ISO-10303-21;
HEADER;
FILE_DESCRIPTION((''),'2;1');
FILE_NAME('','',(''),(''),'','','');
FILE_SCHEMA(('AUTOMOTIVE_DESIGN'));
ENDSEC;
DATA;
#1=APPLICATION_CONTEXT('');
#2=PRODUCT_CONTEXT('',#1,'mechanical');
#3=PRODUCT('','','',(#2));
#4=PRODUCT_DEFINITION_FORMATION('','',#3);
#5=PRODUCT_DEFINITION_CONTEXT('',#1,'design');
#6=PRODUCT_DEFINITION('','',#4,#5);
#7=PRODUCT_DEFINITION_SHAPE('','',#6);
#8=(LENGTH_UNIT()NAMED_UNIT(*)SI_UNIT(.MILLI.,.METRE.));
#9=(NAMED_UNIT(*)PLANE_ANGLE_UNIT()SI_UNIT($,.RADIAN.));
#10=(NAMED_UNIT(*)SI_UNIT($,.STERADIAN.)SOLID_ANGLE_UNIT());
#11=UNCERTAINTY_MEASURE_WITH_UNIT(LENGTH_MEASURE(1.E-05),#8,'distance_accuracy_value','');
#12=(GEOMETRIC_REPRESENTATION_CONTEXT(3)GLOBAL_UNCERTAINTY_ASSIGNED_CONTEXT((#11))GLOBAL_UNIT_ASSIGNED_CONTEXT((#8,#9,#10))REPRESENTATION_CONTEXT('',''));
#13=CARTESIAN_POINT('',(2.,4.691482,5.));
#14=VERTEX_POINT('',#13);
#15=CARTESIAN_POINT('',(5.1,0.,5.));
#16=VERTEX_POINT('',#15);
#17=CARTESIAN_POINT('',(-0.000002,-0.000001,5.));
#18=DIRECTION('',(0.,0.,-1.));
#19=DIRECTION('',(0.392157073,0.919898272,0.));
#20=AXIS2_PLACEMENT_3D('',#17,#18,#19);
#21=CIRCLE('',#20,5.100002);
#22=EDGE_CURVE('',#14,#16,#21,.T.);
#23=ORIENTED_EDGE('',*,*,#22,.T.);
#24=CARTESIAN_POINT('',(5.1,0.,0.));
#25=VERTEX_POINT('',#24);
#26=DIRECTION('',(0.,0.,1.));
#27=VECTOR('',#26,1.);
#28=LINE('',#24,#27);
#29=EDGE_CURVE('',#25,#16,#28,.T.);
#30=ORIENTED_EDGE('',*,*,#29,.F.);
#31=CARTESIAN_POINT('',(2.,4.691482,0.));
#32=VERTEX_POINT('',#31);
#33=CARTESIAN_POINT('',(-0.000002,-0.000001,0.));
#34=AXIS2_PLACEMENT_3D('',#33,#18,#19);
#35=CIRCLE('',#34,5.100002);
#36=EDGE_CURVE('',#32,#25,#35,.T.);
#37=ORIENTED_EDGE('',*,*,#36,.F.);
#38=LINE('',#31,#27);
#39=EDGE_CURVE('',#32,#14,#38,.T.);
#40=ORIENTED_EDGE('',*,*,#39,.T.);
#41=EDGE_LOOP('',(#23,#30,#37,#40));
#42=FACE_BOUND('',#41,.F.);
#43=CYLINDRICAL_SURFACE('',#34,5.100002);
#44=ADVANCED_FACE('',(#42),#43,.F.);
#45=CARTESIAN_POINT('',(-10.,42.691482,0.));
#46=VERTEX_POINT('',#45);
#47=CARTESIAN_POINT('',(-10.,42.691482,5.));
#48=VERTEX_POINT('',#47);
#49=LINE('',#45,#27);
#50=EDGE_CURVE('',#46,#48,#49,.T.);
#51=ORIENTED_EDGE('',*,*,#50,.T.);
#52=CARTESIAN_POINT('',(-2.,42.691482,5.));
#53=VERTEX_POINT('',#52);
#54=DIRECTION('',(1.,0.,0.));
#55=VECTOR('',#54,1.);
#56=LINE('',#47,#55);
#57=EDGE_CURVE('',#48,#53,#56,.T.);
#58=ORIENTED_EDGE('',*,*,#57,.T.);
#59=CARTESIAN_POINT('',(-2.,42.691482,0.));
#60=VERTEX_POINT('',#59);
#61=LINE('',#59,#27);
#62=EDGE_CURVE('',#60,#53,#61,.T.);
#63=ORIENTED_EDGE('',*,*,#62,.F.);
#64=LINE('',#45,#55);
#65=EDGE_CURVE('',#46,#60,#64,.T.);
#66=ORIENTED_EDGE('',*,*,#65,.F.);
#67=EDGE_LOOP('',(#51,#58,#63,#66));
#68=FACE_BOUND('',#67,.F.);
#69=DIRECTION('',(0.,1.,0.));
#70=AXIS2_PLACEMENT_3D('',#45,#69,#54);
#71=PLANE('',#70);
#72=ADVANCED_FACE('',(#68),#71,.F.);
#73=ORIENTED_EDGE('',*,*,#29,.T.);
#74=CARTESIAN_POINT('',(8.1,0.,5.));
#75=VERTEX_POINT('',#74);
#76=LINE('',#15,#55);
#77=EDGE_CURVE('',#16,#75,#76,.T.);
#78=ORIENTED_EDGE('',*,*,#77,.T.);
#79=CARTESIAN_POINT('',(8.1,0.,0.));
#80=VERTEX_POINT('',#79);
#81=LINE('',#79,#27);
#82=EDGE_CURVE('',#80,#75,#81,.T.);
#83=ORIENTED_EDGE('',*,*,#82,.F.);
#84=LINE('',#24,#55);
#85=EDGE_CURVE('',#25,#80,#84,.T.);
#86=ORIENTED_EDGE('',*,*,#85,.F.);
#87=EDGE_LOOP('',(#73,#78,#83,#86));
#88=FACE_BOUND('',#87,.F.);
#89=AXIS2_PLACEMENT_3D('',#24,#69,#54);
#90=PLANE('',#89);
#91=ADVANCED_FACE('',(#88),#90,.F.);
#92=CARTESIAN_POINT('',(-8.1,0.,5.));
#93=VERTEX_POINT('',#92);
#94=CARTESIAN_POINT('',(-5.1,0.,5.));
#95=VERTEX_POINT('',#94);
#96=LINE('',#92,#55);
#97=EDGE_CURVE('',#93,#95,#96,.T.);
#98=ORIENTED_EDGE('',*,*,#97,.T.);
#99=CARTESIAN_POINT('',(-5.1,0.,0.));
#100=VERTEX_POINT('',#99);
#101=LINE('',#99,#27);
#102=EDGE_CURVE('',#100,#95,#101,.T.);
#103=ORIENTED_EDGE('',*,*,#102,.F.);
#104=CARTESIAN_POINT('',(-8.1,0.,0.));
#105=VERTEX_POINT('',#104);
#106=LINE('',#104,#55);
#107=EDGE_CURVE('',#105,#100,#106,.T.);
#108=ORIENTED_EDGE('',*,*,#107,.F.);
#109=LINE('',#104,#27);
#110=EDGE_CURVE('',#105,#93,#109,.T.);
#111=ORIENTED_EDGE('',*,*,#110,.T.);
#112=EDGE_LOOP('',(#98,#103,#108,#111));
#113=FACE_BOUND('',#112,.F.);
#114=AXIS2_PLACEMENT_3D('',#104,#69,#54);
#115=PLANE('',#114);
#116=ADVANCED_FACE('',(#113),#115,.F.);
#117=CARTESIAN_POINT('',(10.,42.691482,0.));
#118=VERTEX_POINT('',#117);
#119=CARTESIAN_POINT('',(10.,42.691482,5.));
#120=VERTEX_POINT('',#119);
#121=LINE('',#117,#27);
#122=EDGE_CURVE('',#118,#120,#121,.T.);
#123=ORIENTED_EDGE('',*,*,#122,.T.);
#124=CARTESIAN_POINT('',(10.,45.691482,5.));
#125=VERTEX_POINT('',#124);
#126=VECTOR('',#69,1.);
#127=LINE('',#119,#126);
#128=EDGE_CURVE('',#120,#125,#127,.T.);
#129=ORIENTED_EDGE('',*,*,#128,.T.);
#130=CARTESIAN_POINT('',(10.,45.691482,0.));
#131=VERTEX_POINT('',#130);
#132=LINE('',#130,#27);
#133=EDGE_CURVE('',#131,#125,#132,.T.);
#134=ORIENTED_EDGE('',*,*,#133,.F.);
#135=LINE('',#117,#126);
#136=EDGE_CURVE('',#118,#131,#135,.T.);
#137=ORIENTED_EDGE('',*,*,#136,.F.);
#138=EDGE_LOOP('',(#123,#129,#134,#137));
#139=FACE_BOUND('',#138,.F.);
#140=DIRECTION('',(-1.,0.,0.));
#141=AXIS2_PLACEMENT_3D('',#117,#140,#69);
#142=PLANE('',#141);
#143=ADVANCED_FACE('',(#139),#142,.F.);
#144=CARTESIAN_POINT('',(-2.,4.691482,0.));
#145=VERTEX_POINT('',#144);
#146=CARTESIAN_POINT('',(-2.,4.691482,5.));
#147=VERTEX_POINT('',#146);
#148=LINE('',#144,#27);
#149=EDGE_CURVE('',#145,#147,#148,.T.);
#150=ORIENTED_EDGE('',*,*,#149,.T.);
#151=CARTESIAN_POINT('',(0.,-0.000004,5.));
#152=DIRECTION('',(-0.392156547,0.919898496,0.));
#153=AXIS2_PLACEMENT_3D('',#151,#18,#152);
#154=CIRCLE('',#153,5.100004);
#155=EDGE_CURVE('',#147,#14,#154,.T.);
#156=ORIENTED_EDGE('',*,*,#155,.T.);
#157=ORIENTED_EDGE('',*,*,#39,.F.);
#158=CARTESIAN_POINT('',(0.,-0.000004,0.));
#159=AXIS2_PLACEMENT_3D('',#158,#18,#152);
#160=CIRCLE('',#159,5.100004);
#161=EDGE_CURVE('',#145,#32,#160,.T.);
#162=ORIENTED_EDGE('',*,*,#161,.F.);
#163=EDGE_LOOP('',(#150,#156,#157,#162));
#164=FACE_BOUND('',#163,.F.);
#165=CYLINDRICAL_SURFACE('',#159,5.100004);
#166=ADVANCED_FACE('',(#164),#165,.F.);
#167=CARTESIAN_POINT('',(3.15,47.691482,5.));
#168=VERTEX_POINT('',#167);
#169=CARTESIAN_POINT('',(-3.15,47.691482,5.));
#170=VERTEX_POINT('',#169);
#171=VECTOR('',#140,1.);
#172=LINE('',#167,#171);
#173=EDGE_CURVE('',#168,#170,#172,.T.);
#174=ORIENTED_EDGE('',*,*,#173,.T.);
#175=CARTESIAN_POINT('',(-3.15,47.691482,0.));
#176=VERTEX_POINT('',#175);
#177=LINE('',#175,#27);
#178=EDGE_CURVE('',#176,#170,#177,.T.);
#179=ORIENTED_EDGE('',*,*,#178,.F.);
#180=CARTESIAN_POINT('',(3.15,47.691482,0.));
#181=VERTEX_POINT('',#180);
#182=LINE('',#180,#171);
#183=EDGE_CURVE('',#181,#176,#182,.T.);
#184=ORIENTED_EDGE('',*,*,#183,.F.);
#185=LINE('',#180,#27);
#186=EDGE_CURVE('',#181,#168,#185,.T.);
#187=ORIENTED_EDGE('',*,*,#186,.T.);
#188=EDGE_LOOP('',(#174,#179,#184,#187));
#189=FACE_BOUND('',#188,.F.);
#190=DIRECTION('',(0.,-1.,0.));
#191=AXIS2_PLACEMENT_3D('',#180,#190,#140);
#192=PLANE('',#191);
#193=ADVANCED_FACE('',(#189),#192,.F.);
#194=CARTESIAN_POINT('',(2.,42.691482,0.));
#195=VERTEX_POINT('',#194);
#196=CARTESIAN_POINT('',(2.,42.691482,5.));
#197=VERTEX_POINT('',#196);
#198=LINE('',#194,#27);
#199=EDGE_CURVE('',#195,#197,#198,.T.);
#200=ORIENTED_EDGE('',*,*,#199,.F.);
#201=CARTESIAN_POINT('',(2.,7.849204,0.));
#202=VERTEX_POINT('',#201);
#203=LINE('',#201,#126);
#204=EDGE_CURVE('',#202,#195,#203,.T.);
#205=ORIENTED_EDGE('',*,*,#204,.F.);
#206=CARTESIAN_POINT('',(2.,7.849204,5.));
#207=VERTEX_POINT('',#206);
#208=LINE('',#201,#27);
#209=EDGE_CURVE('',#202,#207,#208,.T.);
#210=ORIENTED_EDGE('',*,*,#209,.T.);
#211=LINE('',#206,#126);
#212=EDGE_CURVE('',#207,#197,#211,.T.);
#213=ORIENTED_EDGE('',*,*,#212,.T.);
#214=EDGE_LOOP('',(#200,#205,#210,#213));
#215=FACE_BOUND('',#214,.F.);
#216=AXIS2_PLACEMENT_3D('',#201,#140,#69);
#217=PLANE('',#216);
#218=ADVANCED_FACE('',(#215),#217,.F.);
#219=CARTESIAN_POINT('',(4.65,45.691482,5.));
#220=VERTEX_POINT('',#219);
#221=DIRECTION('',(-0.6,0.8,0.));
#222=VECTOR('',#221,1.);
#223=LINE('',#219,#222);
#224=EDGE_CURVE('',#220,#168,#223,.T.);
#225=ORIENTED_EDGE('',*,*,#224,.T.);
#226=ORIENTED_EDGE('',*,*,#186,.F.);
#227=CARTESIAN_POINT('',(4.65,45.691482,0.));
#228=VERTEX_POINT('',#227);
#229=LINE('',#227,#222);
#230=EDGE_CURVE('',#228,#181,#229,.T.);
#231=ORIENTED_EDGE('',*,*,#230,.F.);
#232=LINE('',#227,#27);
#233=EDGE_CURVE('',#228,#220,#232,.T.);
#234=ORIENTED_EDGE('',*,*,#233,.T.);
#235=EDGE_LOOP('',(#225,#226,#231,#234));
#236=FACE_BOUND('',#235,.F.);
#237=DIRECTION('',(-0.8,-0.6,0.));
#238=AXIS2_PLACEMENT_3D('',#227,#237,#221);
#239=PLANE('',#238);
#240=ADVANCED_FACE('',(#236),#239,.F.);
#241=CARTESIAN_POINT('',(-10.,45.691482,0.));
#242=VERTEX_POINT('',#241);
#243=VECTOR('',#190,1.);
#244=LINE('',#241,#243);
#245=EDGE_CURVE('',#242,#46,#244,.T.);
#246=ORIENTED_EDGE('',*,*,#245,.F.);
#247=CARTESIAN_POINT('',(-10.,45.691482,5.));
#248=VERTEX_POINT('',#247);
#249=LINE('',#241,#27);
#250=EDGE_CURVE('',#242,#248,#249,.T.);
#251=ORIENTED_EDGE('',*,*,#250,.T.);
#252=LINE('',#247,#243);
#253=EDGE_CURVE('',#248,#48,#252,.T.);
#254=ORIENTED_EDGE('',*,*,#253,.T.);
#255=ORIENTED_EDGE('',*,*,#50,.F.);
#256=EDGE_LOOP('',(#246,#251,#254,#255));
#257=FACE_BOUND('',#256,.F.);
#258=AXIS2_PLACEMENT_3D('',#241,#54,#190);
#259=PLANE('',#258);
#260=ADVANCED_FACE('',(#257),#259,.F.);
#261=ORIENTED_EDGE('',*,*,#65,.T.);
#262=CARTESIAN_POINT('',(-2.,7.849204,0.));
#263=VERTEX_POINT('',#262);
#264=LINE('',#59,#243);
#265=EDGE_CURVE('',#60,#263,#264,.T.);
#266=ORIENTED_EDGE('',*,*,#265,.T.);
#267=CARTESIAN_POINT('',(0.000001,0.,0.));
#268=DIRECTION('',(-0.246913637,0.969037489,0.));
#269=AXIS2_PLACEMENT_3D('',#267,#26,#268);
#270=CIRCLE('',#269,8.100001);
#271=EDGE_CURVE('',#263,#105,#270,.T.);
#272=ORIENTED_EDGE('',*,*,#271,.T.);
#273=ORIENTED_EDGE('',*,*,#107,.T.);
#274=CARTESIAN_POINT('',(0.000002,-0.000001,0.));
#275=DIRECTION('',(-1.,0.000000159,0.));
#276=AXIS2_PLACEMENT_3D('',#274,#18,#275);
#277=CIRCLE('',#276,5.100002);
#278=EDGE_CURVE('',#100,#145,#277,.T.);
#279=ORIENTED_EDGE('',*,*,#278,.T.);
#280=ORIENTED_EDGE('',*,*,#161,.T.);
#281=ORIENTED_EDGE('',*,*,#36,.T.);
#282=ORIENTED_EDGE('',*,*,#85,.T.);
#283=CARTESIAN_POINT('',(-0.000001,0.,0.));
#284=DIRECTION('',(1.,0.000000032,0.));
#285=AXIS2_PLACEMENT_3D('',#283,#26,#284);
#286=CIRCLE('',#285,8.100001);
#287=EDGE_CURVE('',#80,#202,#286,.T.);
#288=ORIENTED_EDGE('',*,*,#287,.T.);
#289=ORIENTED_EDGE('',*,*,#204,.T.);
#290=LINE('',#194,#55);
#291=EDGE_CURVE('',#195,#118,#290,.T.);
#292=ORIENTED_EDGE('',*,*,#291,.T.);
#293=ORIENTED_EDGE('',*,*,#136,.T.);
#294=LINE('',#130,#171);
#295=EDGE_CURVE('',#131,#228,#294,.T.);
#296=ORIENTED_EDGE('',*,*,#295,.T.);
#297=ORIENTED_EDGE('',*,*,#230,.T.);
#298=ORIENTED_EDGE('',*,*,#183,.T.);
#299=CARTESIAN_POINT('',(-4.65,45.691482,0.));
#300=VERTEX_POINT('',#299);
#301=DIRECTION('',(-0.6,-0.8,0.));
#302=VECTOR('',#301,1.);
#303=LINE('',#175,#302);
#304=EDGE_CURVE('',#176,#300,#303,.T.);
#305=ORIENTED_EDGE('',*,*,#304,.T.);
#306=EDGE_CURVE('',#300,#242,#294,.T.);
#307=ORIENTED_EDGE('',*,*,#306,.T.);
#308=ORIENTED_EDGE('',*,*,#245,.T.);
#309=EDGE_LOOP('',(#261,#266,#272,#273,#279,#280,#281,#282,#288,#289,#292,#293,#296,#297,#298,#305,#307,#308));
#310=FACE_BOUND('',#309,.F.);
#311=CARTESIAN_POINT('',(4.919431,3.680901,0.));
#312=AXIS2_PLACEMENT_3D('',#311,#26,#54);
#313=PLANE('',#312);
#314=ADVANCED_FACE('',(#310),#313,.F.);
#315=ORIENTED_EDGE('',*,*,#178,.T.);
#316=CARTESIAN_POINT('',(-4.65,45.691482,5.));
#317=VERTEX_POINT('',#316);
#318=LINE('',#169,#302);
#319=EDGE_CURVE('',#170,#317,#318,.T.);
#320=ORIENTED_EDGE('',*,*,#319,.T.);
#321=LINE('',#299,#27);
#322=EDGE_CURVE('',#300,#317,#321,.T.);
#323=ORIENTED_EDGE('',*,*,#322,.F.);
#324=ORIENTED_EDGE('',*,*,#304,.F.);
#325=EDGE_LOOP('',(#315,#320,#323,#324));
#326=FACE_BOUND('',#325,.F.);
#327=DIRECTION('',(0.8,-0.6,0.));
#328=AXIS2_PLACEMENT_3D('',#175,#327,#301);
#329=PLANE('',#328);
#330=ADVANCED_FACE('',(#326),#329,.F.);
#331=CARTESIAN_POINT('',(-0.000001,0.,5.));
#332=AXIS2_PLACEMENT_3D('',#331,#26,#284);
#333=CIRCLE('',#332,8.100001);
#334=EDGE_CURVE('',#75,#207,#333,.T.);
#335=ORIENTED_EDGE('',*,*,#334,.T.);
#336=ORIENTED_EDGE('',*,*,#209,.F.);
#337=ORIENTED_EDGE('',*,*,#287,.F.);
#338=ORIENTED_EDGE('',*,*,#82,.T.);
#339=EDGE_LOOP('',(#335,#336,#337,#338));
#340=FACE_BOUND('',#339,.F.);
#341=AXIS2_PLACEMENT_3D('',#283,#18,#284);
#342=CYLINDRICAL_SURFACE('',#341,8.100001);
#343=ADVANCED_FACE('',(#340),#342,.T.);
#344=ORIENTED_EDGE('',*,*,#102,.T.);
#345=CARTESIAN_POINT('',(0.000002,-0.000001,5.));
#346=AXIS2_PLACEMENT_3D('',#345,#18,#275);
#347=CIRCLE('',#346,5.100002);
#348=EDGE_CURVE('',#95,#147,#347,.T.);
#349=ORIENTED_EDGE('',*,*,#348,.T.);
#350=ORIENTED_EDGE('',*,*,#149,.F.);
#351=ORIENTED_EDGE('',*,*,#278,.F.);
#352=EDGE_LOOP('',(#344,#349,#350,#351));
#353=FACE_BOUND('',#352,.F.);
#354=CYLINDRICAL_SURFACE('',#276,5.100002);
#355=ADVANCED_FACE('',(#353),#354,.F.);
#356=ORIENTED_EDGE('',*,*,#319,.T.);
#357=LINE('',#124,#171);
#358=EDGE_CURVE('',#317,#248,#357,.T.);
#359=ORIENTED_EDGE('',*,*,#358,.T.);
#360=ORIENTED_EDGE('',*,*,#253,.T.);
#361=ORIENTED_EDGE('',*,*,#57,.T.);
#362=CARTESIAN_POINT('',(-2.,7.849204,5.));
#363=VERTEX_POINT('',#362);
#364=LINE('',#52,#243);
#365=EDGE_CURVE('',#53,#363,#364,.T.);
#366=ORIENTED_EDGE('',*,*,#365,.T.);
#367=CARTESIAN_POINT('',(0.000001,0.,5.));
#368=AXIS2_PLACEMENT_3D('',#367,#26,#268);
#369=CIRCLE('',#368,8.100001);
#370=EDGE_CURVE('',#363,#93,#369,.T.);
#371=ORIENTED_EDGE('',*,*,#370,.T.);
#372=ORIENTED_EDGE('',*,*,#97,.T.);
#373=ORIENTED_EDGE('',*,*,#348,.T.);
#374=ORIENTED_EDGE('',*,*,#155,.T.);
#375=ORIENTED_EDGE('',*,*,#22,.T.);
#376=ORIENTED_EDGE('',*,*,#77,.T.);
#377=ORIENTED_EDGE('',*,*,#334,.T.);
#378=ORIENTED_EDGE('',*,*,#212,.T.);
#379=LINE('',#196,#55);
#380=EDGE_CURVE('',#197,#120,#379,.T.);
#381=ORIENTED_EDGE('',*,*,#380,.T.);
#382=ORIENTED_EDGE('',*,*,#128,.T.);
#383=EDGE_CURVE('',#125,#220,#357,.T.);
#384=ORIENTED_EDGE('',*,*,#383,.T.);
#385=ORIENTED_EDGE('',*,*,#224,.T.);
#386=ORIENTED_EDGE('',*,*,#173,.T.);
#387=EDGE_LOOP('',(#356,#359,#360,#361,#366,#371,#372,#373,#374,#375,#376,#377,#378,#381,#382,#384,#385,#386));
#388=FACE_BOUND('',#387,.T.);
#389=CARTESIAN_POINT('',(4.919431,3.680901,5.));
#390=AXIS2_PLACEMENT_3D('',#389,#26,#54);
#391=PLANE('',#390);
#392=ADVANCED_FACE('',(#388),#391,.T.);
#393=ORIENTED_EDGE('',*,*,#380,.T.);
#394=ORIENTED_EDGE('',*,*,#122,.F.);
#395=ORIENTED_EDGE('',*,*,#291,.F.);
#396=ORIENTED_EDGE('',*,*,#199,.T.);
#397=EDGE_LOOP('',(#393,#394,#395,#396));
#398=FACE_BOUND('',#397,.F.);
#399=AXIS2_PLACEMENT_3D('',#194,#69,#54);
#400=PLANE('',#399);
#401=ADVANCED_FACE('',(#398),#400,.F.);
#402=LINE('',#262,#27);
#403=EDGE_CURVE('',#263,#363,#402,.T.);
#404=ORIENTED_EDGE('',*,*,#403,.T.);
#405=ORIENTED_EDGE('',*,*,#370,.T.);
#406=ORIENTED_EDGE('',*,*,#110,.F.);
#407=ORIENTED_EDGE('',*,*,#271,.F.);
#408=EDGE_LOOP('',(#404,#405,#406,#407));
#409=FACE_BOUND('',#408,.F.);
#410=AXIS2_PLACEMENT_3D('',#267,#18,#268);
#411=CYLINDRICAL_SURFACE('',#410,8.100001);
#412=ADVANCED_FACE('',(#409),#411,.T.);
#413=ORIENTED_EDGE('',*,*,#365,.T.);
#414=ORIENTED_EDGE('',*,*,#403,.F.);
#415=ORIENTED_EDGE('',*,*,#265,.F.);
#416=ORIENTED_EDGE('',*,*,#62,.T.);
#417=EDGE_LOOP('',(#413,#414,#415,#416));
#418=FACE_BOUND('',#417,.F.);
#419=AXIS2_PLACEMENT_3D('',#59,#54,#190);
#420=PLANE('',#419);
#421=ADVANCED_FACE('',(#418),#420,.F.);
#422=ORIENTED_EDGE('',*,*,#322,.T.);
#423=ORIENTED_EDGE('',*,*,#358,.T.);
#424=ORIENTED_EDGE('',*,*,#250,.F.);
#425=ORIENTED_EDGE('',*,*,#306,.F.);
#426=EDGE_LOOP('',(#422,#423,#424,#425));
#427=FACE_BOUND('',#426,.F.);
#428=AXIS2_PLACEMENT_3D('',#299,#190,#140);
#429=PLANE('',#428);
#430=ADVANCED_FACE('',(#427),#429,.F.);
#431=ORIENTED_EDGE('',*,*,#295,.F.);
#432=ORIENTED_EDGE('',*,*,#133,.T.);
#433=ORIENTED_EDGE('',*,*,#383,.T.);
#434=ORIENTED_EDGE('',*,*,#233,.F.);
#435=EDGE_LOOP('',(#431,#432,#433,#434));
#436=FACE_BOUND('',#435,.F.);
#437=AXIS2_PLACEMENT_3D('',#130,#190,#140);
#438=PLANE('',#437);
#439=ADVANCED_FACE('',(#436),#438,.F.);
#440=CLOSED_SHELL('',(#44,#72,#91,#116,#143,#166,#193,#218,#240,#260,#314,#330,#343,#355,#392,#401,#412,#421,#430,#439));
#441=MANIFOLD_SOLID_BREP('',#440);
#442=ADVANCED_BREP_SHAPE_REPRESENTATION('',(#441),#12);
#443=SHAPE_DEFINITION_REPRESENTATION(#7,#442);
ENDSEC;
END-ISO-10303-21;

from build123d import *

# Parameters (mm, degrees)
F1_DEPTH = 5


with BuildPart() as f1:
    # F0 (on Top) → F1 (new body)
    with BuildSketch(Plane.XY):
        with BuildLine():
            ThreePointArc((2, 4.691482), (4.254997, 2.811583), (5.1, 0))
            Line((5.1, 0), (8.1, 0))
            ThreePointArc((8.1, 0), (6.395702, 4.970412), (2, 7.849204))
            Line((2, 7.849204), (2, 4.691482))
        make_face()
        with BuildLine():
            ThreePointArc((-2, 4.691482), (0, 5.1), (2, 4.691482))
            Line((2, 4.691482), (2, 7.849204))
            ThreePointArc((2, 7.849204), (0, 8.1), (-2, 7.849204))
            Line((-2, 7.849204), (-2, 4.691482))
        make_face()
        with BuildLine():
            ThreePointArc((-5.1, 0), (-4.254997, 2.811583), (-2, 4.691482))
            Line((-2, 4.691482), (-2, 7.849204))
            ThreePointArc((-2, 7.849204), (-6.395702, 4.970412), (-8.1, 0))
            Line((-8.1, 0), (-5.1, 0))
        make_face()
        with BuildLine():
            ThreePointArc((-2, 7.849204), (0, 8.1), (2, 7.849204))
            Line((2, 7.849204), (2, 42.691482))
            Line((2, 42.691482), (-2, 42.691482))
            Line((-2, 42.691482), (-2, 7.849204))
        make_face()
        Polygon((-2, 42.691482), (2, 42.691482), (10, 42.691482), (10, 45.691482), (4.65, 45.691482), (-4.65, 45.691482), (-10, 45.691482), (-10, 42.691482), align=None)
        Polygon((-4.65, 45.691482), (4.65, 45.691482), (3.15, 47.691482), (-3.15, 47.691482), align=None)
    extrude(amount=F1_DEPTH)


solid = f1.part
